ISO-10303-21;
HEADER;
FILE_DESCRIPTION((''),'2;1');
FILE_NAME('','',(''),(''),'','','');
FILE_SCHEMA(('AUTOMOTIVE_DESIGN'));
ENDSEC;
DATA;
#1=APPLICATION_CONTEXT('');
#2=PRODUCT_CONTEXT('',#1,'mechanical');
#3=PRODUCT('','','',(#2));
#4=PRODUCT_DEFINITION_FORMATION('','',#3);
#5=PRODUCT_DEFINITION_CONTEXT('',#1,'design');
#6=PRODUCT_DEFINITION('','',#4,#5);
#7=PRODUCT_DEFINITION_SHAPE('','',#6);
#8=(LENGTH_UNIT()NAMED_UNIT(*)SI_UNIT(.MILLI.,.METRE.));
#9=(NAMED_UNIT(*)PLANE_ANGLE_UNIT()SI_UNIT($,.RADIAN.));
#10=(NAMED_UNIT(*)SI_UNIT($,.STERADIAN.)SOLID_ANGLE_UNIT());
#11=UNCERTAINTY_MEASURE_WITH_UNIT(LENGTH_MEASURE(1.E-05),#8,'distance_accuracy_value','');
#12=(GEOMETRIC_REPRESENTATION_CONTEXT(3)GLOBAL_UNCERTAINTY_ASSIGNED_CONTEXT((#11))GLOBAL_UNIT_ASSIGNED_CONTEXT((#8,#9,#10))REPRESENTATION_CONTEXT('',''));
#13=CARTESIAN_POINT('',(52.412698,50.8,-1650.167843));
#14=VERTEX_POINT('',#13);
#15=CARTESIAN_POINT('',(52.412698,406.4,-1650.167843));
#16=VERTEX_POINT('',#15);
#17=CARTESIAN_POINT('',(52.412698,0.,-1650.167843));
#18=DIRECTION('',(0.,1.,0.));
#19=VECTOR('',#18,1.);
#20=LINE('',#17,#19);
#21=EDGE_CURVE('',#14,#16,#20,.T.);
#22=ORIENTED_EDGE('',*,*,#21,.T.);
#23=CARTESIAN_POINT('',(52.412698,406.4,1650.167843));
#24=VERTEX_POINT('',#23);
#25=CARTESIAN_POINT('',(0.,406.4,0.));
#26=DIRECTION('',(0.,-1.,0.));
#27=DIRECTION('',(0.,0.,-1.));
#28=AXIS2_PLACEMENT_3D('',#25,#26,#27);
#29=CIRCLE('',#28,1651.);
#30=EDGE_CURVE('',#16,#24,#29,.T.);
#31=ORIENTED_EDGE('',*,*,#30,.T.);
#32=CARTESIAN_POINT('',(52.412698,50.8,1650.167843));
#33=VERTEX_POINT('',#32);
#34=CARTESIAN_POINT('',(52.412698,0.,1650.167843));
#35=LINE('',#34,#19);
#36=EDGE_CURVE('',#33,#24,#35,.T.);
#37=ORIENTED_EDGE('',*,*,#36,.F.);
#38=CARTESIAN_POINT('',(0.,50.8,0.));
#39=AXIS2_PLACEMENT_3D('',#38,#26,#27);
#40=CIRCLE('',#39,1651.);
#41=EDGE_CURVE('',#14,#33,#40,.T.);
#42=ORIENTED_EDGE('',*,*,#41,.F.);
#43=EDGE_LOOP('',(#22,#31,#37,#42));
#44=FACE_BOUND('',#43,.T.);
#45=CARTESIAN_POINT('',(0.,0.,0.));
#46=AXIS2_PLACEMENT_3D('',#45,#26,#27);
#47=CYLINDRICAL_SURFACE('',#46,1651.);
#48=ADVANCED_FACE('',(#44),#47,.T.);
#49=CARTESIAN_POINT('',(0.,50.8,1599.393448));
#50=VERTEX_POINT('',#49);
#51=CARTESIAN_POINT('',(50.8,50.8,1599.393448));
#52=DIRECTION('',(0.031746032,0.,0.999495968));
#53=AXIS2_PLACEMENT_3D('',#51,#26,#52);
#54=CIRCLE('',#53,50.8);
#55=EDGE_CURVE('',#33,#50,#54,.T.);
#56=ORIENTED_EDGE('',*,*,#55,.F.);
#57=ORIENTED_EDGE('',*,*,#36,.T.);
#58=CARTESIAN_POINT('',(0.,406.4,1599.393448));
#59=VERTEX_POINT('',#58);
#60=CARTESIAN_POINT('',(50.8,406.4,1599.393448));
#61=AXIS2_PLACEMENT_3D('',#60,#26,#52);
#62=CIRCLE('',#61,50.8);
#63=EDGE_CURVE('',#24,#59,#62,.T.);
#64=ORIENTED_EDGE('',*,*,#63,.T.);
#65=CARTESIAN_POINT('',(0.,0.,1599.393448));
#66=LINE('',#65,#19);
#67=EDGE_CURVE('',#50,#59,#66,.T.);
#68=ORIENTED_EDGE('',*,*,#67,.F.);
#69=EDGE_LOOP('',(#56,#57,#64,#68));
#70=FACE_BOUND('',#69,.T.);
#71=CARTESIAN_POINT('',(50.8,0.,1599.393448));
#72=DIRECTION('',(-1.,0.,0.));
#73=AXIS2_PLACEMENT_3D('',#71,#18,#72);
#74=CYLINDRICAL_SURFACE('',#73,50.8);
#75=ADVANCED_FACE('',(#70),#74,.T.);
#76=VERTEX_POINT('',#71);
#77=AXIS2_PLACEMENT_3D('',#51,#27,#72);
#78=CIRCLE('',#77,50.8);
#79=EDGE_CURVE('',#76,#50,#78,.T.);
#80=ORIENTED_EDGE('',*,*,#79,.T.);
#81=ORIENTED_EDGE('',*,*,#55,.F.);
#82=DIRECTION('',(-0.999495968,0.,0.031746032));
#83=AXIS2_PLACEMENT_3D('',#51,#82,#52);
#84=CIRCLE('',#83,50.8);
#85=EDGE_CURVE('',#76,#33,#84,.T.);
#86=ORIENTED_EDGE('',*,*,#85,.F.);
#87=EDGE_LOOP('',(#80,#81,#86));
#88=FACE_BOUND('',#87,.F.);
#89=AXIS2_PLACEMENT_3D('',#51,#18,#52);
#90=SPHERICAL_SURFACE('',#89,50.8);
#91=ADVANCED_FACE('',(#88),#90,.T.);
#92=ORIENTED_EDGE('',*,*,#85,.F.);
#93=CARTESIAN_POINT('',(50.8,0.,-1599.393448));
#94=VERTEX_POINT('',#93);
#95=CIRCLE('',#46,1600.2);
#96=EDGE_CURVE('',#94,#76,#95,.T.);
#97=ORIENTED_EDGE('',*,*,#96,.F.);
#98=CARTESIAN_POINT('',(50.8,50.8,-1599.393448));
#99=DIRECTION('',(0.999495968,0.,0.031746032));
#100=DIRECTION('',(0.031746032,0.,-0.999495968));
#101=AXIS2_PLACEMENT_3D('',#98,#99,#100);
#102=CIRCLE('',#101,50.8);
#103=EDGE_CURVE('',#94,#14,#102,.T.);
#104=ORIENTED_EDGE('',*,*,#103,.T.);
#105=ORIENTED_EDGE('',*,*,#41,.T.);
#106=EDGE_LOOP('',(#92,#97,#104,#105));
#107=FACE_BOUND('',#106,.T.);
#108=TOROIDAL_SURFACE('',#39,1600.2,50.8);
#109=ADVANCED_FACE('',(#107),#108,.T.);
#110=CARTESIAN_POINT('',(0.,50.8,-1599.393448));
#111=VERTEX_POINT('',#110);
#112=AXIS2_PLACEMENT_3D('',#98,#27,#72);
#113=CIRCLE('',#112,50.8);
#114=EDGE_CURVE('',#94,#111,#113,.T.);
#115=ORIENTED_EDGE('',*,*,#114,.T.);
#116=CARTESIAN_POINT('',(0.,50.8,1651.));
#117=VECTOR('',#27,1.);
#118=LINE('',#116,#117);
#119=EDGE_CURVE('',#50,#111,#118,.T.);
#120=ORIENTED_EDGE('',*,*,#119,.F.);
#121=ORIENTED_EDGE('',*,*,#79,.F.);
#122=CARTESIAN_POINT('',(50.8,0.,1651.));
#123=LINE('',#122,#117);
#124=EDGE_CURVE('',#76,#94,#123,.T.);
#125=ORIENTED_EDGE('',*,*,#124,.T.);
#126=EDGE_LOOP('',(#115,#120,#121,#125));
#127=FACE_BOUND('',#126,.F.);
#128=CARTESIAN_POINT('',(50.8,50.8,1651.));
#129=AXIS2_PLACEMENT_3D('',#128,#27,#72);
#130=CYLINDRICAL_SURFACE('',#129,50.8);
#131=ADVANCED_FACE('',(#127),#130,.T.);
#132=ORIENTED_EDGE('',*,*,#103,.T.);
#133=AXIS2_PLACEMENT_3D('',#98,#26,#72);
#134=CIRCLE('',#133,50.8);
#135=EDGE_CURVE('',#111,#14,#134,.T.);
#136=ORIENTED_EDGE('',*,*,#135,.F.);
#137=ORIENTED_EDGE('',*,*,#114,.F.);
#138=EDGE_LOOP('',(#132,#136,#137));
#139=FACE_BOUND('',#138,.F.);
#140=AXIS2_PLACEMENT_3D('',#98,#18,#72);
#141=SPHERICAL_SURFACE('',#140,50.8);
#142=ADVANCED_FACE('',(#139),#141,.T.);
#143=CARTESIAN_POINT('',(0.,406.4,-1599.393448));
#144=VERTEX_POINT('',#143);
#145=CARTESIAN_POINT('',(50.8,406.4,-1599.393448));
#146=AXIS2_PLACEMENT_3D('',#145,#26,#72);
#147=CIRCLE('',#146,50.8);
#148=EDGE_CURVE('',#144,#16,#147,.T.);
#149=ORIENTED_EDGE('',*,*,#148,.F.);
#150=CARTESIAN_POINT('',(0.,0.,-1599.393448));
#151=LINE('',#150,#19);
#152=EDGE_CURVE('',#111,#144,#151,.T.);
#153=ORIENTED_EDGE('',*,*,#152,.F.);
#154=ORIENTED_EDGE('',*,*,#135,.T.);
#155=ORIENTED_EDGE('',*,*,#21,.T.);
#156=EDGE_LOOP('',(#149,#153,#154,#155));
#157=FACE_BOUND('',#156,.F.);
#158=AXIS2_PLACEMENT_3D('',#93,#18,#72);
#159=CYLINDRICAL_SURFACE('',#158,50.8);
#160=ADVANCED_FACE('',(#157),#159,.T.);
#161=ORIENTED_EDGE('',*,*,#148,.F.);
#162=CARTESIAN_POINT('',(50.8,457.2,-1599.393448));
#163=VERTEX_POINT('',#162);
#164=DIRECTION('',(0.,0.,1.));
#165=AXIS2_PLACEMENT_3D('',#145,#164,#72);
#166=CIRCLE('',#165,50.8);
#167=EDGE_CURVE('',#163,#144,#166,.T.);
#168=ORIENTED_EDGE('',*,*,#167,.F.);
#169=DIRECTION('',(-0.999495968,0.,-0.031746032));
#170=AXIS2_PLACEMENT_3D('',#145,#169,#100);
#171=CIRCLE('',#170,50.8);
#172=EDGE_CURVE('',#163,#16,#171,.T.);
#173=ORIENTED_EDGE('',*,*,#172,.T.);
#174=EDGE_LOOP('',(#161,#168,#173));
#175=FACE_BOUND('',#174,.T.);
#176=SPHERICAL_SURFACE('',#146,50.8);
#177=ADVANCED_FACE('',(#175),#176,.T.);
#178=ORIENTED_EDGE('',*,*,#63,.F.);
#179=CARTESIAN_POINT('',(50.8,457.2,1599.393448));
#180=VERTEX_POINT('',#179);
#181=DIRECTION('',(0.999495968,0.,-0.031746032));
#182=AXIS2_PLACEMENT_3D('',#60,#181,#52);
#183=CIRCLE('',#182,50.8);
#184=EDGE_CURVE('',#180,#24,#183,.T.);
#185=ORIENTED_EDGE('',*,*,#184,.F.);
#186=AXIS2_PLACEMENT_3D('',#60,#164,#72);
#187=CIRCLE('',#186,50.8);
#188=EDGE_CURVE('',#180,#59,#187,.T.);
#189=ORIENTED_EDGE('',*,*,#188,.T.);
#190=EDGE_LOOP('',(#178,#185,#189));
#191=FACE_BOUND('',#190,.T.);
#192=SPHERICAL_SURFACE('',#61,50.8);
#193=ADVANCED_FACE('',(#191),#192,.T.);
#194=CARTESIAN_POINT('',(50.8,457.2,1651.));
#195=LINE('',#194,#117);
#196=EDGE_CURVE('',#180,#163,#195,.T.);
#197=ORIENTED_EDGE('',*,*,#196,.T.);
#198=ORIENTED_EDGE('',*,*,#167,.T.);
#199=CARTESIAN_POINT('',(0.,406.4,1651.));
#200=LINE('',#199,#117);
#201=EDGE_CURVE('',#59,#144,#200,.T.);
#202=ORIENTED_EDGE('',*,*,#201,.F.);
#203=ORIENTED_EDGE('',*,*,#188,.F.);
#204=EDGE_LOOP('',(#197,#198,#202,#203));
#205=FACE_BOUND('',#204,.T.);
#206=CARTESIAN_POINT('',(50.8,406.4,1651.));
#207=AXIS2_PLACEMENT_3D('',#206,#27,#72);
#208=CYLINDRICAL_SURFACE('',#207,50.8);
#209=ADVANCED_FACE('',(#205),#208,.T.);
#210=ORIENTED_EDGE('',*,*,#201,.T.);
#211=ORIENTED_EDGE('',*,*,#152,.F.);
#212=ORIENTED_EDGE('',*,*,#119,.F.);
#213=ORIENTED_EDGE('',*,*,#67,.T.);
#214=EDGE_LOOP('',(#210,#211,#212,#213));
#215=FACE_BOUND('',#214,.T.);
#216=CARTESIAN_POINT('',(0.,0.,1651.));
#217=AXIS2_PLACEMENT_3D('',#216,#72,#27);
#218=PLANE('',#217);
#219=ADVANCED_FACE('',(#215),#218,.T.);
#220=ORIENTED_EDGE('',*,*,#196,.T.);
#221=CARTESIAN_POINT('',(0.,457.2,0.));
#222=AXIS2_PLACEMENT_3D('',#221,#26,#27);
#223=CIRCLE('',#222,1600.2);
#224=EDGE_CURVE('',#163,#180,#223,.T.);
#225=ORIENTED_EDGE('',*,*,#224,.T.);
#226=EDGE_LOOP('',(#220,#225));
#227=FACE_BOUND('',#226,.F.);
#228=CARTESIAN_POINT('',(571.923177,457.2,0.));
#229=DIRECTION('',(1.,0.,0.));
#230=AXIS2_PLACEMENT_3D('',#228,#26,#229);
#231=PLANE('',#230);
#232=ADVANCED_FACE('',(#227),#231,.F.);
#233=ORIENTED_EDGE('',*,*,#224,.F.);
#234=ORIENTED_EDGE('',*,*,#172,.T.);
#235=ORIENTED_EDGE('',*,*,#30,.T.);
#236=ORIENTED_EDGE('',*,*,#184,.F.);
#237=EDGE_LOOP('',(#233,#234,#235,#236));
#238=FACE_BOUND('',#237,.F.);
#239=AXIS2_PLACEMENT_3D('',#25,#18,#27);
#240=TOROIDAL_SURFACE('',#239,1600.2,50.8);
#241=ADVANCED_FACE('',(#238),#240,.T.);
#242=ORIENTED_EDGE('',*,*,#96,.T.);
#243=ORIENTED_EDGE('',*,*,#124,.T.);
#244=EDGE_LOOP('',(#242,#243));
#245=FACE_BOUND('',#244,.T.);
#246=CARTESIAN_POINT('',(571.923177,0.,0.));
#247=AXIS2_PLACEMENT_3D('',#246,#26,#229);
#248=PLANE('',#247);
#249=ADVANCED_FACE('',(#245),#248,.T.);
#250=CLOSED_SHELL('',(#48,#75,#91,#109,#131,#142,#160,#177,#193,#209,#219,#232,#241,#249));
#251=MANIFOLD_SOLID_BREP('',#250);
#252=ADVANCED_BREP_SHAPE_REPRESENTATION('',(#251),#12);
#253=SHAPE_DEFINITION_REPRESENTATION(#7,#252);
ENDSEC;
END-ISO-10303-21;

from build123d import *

# Parameters (mm, degrees)
F1_DEPTH = 457.2
F2_R     = 50.8


with BuildPart() as f1:
    # F0 (on Front) → F1 (new body)
    with BuildSketch(Plane.XZ):
        with BuildLine():
            Line((0, 1651), (0, 0))
            Line((0, 0), (0, -1651))
            ThreePointArc((0, -1651), (1167.433295739, -1167.433295739), (1651, 0))
            ThreePointArc((1651, 0), (1167.433295739, 1167.433295739), (0, 1651))
        make_face()
    extrude(amount=-F1_DEPTH)

    # F2
    f2_edges = [f1.edges().sort_by_distance(p)[0] for p in [
        (0, 228.6, 1651),
        (1651, 457.2, 0),
        (1651, 0, 0),
        (0, 228.6, -1651),
        (0, 0, 0),
        (0, 457.2, 0),
    ]]
    fillet(f2_edges, radius=F2_R)


solid = f1.part
